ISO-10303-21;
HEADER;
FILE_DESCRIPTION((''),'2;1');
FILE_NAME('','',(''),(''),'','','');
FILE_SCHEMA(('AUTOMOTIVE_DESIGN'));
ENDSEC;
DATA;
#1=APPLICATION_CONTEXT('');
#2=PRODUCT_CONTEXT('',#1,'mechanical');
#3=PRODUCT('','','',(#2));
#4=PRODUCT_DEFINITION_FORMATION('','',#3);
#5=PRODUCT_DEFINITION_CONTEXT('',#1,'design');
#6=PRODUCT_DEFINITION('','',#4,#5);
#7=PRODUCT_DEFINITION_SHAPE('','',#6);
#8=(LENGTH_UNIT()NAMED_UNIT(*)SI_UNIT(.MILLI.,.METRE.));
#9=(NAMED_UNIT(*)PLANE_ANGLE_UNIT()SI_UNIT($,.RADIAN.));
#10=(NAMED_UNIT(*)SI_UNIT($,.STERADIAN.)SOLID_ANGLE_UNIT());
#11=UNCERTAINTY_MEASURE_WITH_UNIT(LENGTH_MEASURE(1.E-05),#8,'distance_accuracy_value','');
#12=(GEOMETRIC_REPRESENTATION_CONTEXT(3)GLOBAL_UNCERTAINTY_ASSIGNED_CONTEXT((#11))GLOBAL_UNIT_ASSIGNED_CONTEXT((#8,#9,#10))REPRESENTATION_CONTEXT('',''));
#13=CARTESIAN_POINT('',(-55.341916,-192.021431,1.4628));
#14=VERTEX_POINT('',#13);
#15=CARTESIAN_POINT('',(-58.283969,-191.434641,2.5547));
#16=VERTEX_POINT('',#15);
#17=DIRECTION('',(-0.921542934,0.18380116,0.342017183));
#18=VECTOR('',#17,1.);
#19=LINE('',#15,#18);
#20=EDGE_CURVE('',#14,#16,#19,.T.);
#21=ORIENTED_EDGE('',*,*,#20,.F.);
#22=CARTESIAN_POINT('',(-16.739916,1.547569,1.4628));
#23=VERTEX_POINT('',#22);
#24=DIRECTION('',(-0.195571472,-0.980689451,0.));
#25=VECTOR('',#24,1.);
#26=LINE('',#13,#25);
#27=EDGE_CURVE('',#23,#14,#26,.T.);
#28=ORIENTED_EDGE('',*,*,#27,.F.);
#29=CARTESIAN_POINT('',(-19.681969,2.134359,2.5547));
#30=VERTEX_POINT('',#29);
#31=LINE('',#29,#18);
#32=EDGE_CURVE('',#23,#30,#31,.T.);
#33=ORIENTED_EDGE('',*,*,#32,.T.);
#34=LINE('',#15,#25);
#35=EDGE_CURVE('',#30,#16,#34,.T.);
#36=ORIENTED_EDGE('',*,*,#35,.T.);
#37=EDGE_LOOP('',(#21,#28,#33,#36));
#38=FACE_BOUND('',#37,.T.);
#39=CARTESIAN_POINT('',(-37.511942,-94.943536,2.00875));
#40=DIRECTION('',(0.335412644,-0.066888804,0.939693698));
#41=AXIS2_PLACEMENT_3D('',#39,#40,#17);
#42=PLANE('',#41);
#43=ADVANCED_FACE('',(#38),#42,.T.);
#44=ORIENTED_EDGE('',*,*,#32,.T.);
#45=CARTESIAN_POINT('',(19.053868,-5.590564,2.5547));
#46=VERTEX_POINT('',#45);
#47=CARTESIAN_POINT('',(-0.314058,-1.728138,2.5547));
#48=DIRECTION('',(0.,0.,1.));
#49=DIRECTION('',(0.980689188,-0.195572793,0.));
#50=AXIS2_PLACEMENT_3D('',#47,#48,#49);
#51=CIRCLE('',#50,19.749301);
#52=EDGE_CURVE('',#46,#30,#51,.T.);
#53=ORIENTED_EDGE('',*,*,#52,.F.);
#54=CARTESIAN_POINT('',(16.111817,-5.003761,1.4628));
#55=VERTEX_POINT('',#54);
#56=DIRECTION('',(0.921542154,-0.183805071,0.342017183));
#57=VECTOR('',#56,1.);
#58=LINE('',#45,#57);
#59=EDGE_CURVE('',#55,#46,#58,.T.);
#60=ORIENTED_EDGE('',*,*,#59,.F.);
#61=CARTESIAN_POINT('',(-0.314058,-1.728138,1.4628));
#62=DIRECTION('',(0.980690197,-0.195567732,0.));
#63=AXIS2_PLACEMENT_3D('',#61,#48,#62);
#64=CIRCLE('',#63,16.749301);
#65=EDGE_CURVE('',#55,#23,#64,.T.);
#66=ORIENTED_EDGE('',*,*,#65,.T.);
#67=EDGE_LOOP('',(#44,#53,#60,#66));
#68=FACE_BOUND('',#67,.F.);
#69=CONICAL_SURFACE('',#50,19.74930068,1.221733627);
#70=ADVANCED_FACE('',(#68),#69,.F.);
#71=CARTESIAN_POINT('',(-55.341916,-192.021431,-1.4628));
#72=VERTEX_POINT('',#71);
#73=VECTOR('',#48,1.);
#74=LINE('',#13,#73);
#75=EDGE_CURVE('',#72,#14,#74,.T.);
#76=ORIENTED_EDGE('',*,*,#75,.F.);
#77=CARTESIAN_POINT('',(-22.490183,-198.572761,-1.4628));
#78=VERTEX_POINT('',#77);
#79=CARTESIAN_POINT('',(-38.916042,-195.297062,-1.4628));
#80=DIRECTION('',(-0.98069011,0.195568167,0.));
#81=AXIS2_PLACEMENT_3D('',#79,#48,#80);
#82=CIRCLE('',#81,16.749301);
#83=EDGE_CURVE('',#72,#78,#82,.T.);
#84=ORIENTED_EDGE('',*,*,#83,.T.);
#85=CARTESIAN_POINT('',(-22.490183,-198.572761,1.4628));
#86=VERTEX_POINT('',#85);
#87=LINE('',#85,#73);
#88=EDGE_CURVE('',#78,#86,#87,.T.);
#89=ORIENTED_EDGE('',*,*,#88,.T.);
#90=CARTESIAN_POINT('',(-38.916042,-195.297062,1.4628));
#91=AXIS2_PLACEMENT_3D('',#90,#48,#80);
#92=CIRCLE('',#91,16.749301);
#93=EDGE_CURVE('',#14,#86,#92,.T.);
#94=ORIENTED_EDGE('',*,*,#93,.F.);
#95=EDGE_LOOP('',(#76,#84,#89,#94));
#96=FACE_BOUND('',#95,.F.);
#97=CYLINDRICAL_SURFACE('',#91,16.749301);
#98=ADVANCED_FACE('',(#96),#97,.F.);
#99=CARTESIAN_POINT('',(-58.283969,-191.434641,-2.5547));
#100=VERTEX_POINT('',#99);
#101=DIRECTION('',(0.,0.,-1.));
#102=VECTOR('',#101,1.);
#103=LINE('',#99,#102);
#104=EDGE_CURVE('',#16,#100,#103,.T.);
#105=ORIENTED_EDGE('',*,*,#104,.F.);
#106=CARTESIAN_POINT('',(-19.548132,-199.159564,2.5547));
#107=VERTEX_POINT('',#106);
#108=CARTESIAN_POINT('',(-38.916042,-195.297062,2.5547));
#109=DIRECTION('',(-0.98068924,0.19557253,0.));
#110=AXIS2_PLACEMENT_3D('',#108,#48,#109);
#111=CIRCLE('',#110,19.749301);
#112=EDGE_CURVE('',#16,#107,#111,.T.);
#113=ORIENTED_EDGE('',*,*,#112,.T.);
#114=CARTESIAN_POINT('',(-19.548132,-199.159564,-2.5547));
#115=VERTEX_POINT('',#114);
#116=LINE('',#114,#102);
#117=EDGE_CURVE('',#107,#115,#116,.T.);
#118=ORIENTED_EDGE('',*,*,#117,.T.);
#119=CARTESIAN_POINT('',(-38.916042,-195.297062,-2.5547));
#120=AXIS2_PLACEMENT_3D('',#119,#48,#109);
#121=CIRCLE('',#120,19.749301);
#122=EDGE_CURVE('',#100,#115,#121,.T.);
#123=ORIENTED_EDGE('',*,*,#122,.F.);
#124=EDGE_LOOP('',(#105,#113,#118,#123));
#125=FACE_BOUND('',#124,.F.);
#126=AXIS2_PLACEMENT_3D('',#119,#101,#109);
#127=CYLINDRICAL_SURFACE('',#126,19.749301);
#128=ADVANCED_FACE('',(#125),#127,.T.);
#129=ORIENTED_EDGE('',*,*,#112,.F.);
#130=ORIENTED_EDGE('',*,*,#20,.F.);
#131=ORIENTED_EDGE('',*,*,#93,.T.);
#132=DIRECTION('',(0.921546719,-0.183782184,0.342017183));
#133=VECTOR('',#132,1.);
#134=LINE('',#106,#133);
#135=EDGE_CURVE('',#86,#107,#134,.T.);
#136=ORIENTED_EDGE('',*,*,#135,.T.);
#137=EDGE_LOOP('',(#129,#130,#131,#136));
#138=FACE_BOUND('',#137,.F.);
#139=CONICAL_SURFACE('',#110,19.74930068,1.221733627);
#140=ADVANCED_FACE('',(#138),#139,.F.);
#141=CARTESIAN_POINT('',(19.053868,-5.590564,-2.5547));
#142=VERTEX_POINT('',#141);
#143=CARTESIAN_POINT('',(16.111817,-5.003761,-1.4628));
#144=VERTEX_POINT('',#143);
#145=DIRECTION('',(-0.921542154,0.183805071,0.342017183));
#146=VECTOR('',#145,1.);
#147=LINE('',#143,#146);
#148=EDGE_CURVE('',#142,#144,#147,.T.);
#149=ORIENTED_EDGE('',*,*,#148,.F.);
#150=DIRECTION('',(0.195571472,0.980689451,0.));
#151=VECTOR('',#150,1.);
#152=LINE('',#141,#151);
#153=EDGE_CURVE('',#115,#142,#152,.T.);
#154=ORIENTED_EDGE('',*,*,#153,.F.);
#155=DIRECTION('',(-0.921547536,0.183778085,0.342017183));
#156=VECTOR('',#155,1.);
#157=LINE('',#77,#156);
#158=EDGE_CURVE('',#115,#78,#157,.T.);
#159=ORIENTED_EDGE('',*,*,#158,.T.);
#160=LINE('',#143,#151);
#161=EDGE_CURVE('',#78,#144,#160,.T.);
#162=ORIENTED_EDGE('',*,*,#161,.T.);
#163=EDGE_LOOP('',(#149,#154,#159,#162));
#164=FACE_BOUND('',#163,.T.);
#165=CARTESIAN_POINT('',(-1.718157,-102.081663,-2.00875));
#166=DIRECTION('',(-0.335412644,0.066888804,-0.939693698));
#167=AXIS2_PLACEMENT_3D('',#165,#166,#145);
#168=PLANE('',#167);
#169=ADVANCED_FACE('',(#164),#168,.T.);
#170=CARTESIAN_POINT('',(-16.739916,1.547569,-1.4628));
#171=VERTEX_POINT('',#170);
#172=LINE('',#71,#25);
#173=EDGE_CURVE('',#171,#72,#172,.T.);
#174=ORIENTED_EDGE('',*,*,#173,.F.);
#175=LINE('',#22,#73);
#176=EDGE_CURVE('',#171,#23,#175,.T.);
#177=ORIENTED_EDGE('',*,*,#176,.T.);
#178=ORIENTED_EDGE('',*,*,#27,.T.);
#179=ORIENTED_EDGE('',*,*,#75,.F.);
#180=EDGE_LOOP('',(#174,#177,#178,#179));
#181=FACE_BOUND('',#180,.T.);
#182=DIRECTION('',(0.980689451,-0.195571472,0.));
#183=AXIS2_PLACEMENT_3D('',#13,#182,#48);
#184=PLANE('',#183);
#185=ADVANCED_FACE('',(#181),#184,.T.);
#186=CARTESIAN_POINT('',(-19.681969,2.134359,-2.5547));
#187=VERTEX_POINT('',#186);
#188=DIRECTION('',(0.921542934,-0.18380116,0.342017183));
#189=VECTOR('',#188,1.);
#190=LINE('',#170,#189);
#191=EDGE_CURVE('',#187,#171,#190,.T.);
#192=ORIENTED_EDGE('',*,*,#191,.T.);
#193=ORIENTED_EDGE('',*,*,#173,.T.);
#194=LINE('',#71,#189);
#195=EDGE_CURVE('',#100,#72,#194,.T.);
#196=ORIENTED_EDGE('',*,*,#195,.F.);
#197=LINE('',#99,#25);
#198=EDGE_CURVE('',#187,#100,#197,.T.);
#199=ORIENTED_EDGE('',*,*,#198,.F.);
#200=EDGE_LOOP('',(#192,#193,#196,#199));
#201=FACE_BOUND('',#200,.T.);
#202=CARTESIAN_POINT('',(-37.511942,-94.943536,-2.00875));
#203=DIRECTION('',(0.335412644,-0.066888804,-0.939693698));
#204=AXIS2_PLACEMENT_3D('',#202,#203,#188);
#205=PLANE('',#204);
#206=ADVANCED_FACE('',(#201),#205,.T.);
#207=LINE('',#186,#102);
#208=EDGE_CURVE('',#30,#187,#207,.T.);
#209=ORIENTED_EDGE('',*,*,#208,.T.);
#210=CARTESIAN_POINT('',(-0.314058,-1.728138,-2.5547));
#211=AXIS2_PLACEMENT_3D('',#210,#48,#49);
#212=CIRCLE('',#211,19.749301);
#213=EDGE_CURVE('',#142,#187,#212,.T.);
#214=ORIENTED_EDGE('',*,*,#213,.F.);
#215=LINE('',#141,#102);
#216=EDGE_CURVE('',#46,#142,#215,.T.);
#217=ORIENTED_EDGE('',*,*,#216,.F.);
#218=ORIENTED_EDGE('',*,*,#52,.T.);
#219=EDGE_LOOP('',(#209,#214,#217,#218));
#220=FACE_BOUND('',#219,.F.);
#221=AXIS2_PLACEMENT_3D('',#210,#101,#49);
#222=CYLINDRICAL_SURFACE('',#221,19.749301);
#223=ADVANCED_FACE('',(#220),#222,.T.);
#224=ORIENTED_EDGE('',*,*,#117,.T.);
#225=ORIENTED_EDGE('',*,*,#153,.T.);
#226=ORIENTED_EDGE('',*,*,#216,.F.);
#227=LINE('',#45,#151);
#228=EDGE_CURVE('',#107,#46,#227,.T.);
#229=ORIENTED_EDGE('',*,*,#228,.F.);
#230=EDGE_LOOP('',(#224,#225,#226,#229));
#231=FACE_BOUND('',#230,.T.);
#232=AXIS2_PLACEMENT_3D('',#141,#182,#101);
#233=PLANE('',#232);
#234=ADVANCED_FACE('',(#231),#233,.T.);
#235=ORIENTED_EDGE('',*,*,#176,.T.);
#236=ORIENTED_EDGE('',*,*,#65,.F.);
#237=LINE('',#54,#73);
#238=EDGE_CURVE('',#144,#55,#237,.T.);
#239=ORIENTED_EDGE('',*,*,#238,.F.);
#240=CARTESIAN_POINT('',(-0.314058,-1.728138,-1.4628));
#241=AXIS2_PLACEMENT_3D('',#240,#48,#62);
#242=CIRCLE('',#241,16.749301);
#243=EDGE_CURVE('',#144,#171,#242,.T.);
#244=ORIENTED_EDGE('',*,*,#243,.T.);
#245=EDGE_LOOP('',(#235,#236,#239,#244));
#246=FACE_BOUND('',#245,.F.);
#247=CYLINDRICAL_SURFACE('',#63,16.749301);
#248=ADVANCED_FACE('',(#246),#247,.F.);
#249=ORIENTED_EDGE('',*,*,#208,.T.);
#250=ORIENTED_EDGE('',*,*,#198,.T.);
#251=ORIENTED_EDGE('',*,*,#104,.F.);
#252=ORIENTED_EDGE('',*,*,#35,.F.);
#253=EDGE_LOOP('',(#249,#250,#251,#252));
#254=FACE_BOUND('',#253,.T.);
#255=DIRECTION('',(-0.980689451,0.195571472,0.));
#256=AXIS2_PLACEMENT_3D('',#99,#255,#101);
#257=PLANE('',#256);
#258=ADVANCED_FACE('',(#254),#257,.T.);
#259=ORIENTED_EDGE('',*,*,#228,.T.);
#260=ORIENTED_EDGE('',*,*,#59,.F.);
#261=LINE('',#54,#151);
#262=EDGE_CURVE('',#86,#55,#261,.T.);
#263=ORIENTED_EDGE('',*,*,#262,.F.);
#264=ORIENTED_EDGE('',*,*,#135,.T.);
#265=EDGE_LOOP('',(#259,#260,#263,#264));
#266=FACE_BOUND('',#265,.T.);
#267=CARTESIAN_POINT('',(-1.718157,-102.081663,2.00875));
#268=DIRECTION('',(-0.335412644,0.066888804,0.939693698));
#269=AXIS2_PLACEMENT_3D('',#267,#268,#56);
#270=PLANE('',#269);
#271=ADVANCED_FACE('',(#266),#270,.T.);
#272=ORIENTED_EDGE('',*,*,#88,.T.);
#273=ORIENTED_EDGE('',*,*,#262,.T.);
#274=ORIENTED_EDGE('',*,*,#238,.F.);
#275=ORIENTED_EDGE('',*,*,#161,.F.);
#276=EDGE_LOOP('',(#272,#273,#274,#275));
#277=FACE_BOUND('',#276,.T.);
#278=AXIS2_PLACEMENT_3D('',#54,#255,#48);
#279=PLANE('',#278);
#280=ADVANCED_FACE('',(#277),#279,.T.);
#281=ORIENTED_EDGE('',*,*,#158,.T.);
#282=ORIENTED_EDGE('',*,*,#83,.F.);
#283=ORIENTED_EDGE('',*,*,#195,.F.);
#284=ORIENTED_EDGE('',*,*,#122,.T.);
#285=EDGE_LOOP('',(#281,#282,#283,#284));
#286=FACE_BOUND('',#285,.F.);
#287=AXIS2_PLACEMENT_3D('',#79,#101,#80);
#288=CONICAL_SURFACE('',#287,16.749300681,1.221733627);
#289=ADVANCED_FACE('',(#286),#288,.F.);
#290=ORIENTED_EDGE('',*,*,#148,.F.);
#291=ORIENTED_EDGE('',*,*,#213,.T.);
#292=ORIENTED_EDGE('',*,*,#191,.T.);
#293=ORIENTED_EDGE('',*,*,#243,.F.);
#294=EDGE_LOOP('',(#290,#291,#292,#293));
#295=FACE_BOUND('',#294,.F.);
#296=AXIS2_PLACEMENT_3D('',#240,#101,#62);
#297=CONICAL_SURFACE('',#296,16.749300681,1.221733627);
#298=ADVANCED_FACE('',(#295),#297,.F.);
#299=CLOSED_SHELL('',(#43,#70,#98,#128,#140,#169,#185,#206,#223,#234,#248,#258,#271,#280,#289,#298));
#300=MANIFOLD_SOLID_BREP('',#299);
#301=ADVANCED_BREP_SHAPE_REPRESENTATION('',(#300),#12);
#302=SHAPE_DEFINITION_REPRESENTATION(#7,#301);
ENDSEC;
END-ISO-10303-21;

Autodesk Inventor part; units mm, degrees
ref_plane "YZ Plane" through (0, 0, 0) normal (1, 0, 0) x (0, 1, 0)
ref_plane "XZ Plane" through (0, 0, 0) normal (0, 1, 0) x (-1, 0, 0)
sketch "Эскизная траектория" plane through (0, 0, 0) normal (0, 0, 1) x (1, 0, 0)
  arc A0 (17.8287, -5.3462) -> (-18.4568, 1.89) centre (-0.314, -1.7281) ccw
  arc A1 (-57.0588, -191.679) -> (-20.7733, -198.9152) centre (-38.9161, -195.2971) ccw
  line L0 (-57.0588, -191.679) -> (-18.4568, 1.89)
  line L1 (17.8287, -5.3462) -> (-20.7733, -198.9152)
ref_plane "Плоскость сечения" through (-18.4568, 1.89, 0) normal (-0.1956, -0.9807, 0) x (0, 0, 1)
sketch "Сечение" plane through (-18.4568, 1.89, 0) normal (-0.1956, -0.9807, 0) x (0, 0, 1)
  line L0 (0, 1.2493) -> (0, -1.7507) construction
  line L1 (-2.1, 0) -> (2.1, 0) construction
  line L2 (-2.5547, 1.2493) -> (2.5547, 1.2493)
  line L3 (2.5547, 1.2493) -> (1.4628, -1.7507)
  line L4 (1.4628, -1.7507) -> (-1.4628, -1.7507)
  line L5 (-1.4628, -1.7507) -> (-2.5547, 1.2493)
  point P0 (0, 0)
  point P1 (0, 0)
  point P2 (0, 0)
  dimension "d0" = 4.2
  dimension "d1" = 1.2493
  dimension "d2" = 40
  dimension "d3" = 3
sweep "Ремень" add profiles "Сечение" path "Эскизная траектория"
equation "\"d0\" = da_Bw"
equation "\"d1\" = da_Hw"
equation "\"d2\" = da_Alfa"
equation "\"d3\" = da_H"
equation "\"da_Alfa\" = 40deg"
equation "\"da_H\" = 3"
equation "\"da_Bw\" = 4.2"
equation "\"da_Hw\" = 1.2493"
properties part number "Клиновой ремень" material "Rubber"
